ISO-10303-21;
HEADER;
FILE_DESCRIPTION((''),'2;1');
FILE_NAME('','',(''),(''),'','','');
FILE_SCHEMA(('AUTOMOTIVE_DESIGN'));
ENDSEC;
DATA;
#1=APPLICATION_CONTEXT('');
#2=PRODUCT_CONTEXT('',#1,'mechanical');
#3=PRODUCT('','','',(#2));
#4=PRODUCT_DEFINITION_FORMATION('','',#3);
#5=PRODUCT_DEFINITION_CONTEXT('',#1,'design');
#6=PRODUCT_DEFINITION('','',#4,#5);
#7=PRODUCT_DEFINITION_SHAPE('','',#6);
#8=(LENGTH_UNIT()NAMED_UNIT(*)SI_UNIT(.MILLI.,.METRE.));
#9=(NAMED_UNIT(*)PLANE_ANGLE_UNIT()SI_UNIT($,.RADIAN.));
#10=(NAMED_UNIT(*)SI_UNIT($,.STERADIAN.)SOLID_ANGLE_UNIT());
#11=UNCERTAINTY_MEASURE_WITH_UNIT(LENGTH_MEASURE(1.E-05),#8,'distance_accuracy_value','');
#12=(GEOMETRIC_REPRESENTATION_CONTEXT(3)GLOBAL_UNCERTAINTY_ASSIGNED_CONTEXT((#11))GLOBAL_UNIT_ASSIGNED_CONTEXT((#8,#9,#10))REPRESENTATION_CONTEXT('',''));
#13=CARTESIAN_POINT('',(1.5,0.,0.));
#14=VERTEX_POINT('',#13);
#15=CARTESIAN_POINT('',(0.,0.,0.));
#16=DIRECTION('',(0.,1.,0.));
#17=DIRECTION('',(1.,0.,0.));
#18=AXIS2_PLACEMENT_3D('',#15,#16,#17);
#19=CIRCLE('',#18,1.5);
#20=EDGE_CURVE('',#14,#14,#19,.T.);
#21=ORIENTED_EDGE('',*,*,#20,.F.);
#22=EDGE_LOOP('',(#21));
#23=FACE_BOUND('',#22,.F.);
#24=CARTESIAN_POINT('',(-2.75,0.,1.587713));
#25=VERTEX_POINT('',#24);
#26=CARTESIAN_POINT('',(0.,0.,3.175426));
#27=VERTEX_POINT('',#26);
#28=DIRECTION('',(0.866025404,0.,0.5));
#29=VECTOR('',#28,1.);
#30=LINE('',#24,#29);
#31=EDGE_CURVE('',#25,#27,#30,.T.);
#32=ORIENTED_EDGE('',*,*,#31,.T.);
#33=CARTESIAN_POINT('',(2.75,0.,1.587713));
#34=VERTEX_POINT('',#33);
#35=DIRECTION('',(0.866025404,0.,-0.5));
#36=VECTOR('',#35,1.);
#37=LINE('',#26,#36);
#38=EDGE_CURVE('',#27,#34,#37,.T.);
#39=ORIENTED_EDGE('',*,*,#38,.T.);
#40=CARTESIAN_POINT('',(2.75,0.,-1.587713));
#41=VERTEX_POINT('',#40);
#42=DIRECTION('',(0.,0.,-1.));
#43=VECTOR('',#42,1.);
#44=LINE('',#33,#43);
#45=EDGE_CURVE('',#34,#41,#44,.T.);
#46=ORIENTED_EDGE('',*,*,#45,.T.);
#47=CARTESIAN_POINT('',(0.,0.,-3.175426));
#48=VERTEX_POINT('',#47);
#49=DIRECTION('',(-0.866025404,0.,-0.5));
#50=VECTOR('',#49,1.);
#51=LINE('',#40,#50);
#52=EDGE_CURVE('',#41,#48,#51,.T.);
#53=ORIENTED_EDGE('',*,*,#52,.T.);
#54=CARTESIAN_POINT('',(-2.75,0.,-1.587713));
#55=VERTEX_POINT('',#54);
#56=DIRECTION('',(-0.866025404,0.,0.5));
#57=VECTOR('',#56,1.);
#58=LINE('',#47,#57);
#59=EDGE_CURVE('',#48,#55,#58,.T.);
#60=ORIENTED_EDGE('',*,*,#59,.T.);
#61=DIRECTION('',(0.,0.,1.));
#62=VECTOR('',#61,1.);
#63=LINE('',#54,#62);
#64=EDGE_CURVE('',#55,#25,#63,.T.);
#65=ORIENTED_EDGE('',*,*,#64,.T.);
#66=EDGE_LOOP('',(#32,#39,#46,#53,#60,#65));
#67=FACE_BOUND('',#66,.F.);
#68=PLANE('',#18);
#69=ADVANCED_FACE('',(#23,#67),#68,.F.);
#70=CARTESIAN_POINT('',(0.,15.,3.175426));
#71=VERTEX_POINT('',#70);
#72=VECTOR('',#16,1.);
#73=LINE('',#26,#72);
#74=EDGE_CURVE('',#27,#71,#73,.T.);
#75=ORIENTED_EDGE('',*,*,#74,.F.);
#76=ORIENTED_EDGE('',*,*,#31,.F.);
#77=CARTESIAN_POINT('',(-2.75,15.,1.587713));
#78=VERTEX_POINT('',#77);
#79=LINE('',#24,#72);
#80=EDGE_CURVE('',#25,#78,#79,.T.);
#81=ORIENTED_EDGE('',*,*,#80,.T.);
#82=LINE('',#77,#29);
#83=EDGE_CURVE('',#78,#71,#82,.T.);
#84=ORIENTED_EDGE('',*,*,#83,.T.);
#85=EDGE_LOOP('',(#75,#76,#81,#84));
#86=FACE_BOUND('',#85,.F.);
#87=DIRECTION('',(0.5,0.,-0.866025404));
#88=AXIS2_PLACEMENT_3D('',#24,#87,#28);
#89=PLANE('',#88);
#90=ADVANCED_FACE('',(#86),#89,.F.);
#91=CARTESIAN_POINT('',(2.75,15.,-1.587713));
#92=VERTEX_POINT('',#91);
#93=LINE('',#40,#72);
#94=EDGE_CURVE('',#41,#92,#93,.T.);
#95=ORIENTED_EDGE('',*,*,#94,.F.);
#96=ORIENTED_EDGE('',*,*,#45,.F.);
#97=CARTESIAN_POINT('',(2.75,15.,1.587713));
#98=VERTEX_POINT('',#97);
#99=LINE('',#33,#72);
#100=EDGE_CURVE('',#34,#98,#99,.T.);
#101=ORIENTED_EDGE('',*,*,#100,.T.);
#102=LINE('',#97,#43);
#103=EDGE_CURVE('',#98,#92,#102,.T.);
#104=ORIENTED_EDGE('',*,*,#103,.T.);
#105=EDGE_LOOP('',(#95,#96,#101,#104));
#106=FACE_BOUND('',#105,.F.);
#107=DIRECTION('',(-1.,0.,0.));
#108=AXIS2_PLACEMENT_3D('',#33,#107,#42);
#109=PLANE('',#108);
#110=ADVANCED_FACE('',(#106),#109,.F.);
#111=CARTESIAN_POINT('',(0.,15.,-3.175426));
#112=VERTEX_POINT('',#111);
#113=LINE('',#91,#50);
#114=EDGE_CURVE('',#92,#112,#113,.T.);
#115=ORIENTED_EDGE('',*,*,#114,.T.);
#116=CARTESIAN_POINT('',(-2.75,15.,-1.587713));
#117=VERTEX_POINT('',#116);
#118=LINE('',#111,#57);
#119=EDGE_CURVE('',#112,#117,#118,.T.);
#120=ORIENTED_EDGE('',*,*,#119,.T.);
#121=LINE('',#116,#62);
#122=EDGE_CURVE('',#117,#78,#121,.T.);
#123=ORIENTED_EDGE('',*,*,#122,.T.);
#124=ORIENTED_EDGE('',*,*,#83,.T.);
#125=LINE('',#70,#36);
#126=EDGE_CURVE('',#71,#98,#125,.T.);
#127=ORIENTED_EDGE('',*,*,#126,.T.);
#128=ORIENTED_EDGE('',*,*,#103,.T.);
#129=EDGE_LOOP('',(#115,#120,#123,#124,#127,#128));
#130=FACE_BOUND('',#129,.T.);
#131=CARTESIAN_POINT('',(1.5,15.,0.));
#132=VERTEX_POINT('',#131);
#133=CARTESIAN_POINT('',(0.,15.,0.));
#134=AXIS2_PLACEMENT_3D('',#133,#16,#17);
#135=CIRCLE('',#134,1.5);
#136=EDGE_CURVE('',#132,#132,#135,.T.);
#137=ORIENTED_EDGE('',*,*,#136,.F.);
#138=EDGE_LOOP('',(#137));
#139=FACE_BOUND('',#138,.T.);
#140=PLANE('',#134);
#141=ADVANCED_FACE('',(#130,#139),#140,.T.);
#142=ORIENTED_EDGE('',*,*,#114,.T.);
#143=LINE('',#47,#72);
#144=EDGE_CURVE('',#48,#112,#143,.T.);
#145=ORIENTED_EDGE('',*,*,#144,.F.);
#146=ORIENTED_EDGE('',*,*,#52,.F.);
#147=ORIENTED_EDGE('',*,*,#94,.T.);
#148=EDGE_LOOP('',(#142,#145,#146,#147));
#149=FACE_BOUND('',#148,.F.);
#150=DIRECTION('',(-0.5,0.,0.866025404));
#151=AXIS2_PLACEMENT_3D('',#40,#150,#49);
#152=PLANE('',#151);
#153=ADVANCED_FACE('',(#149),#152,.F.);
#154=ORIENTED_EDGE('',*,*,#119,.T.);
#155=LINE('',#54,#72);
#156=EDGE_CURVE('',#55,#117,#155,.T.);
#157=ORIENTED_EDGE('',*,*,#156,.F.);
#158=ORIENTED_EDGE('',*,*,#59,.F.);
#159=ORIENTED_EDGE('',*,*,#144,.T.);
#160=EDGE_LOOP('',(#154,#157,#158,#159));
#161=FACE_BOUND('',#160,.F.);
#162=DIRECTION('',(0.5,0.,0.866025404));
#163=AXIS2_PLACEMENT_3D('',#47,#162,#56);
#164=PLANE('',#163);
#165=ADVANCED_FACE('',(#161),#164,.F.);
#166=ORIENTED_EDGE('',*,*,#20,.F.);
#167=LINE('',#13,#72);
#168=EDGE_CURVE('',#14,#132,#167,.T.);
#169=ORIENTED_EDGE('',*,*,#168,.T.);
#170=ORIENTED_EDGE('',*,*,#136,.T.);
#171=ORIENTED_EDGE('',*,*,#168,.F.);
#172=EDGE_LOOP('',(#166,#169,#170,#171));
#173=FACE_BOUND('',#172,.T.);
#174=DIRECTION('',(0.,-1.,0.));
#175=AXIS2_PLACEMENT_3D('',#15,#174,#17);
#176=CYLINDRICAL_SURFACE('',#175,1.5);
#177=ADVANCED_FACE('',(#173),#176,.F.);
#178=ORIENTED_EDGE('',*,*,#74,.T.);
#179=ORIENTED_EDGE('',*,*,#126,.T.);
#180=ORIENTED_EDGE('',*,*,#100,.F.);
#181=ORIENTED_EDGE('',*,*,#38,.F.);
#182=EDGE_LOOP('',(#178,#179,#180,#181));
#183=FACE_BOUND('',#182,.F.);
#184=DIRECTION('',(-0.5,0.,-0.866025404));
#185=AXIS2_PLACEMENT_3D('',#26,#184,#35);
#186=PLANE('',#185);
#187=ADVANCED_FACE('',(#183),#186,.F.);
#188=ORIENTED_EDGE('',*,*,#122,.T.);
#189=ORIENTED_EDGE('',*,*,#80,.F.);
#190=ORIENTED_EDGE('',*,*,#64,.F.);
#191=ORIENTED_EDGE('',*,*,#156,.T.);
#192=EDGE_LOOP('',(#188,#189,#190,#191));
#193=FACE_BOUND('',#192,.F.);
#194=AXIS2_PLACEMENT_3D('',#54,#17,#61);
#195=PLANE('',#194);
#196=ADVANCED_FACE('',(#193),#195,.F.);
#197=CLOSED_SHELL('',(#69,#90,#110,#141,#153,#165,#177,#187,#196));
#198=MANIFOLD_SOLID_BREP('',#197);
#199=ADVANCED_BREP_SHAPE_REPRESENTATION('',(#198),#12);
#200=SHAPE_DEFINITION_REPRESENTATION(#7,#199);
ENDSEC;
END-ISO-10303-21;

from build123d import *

# Parameters (mm, degrees)
SKETCH_1_R      = 1.5
EXTRUDE_1_DEPTH = 15


with BuildPart() as part:
    # Эскиз1 → Бобышка-Вытянуть1 (new body)
    with BuildSketch(Plane(origin=(0, 0, 0), x_dir=(1, 0, 0), z_dir=(0, 1, 0))):
        Polygon((0, 3.175426481), (-2.75, 1.58771324), (-2.75, -1.58771324), (0, -3.175426481), (2.75, -1.58771324), (2.75, 1.58771324), align=None)
        Circle(SKETCH_1_R, mode=Mode.SUBTRACT)
    extrude(amount=EXTRUDE_1_DEPTH)


solid = part.part
